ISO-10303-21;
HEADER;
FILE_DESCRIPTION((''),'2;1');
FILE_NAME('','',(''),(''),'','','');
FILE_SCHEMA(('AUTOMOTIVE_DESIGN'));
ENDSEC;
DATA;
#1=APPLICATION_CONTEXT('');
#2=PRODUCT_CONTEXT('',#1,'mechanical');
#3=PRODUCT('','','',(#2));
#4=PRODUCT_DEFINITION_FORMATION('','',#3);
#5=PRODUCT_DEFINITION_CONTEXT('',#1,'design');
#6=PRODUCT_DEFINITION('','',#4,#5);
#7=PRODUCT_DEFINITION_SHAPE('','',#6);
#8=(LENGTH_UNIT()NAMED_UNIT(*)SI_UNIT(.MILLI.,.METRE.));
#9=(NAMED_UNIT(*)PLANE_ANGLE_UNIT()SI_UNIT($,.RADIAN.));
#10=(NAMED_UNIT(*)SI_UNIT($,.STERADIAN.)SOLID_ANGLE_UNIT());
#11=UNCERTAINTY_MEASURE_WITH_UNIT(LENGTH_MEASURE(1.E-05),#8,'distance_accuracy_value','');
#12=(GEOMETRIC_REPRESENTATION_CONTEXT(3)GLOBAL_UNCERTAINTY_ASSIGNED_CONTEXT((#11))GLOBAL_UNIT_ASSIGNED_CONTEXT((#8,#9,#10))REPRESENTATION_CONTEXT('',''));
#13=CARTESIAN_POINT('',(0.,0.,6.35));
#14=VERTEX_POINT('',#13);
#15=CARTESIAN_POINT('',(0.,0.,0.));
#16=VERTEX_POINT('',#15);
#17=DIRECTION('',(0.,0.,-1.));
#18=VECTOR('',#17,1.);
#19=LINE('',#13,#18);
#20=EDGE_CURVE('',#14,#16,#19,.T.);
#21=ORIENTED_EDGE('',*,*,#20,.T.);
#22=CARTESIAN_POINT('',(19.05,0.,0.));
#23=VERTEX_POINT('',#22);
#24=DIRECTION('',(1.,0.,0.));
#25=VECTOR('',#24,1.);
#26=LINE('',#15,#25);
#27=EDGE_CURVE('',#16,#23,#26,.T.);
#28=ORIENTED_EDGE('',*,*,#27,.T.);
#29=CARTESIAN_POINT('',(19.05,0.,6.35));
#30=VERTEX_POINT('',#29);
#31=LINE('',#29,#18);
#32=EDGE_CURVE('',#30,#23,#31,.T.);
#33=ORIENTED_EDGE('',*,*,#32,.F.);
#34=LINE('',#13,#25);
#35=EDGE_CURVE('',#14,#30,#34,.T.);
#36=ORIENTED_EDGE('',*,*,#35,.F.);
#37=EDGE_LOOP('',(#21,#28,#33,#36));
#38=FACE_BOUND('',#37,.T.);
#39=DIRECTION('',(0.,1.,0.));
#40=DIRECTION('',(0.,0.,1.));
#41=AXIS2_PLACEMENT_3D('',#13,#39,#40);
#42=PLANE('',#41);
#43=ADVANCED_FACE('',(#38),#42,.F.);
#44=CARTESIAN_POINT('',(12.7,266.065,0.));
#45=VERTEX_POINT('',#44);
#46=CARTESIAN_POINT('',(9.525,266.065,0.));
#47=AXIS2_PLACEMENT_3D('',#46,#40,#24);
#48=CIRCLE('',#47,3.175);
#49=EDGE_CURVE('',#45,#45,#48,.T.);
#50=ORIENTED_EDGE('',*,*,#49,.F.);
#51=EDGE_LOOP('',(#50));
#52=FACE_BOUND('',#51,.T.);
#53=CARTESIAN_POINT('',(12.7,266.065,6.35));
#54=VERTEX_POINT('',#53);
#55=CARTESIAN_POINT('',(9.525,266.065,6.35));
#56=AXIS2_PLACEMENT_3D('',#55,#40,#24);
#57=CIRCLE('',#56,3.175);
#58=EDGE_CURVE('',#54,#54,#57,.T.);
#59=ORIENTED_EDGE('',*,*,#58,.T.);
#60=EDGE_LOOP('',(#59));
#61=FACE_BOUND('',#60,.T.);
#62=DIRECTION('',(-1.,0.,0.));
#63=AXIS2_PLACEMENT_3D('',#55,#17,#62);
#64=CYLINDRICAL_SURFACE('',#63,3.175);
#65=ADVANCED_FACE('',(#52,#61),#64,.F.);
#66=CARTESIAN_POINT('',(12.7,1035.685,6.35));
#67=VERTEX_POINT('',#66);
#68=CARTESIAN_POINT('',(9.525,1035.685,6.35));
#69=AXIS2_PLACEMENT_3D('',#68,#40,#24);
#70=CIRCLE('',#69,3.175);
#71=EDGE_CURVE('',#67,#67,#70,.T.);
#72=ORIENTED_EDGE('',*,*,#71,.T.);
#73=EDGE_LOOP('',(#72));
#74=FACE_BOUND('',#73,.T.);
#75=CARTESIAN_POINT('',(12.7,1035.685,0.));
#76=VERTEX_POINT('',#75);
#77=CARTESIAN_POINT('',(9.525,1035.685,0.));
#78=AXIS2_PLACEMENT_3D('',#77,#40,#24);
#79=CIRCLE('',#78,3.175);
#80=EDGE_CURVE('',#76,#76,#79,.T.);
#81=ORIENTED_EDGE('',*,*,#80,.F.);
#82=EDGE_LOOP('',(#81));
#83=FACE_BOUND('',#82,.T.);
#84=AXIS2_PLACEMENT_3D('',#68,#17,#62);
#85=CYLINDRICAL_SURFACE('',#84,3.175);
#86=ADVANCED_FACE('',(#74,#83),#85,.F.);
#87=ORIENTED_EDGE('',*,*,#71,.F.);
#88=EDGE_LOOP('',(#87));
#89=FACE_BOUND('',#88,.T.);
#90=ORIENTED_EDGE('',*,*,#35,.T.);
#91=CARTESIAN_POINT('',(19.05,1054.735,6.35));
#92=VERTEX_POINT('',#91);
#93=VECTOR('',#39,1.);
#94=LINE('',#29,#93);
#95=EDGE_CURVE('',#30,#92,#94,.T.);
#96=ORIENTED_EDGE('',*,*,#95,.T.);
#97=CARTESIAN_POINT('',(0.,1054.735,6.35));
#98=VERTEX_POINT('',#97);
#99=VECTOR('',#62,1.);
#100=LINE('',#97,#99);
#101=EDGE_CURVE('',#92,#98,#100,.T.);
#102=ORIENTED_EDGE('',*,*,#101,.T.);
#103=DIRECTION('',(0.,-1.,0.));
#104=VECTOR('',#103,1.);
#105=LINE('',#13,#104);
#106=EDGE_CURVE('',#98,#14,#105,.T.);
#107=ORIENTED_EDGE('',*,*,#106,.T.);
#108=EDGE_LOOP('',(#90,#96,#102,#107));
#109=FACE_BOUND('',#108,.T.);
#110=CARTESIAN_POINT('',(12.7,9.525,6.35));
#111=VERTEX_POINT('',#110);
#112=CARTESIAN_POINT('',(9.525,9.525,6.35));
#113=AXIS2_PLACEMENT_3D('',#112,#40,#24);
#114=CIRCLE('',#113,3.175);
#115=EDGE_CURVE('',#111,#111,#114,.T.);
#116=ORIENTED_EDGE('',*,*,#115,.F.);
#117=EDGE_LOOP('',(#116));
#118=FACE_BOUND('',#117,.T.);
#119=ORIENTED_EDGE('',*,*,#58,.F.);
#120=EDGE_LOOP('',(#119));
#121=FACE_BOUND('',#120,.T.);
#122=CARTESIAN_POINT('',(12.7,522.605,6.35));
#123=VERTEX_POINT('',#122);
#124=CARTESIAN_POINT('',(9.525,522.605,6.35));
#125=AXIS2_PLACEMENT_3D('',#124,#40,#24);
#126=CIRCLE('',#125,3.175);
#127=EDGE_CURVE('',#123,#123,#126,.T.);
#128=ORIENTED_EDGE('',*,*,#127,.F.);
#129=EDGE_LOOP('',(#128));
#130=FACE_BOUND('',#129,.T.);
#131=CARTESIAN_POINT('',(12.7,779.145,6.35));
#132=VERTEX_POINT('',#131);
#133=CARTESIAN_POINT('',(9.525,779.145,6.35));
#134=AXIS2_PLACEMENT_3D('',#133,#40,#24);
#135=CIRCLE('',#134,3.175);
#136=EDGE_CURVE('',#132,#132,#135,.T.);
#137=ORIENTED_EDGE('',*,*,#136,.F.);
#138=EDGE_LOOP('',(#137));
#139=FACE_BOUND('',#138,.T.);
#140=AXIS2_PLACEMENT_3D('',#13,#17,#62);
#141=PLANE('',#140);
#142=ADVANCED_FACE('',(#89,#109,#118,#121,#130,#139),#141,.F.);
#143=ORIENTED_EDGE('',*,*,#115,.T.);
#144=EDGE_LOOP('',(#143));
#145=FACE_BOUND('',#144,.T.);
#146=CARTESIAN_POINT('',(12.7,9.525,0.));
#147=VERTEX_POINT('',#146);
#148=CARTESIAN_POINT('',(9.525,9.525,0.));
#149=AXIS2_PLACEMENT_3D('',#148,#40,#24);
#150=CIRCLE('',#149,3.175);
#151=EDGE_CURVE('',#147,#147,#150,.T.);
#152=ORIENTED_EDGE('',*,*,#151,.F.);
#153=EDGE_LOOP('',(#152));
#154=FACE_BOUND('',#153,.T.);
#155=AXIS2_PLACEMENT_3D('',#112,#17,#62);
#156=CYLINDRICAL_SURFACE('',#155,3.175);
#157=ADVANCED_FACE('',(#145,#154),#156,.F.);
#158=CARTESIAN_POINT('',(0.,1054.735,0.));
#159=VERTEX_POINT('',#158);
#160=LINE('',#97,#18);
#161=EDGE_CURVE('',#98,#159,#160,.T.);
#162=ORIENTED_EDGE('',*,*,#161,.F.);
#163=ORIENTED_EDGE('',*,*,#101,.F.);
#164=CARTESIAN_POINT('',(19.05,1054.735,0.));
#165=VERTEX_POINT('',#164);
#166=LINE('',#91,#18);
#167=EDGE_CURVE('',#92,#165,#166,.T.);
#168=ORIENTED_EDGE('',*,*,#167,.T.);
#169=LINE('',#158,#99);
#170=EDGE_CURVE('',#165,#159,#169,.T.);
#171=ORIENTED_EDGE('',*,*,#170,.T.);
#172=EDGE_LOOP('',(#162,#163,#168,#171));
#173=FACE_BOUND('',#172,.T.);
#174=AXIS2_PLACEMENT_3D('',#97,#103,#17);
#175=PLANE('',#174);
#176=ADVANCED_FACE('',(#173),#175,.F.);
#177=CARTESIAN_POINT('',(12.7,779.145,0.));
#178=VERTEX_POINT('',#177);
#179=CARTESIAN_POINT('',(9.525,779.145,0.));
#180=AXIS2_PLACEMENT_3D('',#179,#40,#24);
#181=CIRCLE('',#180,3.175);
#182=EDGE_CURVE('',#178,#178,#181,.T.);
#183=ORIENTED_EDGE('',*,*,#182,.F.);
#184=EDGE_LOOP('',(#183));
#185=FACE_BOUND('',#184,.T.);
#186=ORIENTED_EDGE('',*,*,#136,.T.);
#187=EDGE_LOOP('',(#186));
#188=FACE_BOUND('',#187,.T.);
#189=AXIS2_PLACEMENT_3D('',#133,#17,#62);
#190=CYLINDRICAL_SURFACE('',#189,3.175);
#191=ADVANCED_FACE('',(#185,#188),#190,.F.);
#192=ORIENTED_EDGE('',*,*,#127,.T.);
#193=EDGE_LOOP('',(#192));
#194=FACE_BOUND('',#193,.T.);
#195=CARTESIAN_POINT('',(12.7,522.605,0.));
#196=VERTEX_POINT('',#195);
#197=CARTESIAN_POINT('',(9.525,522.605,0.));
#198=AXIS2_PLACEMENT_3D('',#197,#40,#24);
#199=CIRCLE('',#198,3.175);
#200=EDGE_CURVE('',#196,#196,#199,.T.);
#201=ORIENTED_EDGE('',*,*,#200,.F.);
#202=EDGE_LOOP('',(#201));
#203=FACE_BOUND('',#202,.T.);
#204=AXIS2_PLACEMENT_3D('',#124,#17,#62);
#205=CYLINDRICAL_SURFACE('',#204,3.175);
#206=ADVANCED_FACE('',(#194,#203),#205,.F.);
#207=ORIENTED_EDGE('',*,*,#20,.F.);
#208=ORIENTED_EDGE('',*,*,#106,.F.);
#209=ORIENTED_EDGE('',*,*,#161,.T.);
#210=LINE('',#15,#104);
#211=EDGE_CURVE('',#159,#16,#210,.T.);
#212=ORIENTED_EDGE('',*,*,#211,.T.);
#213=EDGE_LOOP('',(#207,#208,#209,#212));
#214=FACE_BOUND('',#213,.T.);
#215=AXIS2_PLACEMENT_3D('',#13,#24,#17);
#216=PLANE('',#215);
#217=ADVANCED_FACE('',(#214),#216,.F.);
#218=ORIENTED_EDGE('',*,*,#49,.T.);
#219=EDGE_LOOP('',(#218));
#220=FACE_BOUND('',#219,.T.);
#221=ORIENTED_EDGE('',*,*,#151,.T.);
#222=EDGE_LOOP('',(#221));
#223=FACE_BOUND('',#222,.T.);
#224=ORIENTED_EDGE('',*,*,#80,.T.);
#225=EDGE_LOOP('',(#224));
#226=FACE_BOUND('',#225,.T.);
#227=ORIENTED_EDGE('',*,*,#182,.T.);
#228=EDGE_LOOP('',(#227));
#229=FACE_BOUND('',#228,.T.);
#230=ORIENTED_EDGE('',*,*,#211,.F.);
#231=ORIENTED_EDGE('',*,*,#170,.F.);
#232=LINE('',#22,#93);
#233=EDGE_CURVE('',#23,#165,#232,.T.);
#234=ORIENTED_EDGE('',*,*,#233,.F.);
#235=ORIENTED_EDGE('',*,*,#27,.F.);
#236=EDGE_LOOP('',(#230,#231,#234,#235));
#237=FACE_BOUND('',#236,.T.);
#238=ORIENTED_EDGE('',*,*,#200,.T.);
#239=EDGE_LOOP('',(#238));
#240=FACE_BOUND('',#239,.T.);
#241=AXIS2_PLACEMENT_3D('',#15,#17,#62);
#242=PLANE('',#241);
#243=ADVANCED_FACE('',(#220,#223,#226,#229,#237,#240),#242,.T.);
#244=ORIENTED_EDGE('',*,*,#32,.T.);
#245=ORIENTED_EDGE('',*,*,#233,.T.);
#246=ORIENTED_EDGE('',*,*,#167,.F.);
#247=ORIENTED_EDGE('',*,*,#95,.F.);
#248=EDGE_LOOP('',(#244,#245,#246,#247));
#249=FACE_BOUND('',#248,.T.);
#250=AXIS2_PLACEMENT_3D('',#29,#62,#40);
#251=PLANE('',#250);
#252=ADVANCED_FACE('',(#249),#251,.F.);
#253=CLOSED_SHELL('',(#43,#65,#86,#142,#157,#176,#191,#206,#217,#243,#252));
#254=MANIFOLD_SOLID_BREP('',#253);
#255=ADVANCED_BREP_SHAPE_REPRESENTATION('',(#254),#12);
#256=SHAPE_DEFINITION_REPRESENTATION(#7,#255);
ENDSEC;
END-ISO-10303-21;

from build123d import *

# Parameters (mm, degrees)
SKETCH1_W           = 19.05
SKETCH1_H           = 1054.735
SKETCH1_R           = 3.175
BOSS_EXTRUDE1_DEPTH = 6.35


with BuildPart() as part:
    # Sketch1 → Boss-Extrude1 (new body)
    with BuildSketch(Plane.XY):
        with Locations((9.525, 527.3675)):
            Rectangle(SKETCH1_W, SKETCH1_H)
        with Locations((9.525, 9.525)):
            Circle(SKETCH1_R, mode=Mode.SUBTRACT)
        with Locations((9.525, 266.065)):
            Circle(SKETCH1_R, mode=Mode.SUBTRACT)
        with Locations((9.525, 522.605)):
            Circle(SKETCH1_R, mode=Mode.SUBTRACT)
        with Locations((9.525, 779.145)):
            Circle(SKETCH1_R, mode=Mode.SUBTRACT)
        with Locations((9.525, 1035.685)):
            Circle(SKETCH1_R, mode=Mode.SUBTRACT)
    extrude(amount=BOSS_EXTRUDE1_DEPTH)


solid = part.part
